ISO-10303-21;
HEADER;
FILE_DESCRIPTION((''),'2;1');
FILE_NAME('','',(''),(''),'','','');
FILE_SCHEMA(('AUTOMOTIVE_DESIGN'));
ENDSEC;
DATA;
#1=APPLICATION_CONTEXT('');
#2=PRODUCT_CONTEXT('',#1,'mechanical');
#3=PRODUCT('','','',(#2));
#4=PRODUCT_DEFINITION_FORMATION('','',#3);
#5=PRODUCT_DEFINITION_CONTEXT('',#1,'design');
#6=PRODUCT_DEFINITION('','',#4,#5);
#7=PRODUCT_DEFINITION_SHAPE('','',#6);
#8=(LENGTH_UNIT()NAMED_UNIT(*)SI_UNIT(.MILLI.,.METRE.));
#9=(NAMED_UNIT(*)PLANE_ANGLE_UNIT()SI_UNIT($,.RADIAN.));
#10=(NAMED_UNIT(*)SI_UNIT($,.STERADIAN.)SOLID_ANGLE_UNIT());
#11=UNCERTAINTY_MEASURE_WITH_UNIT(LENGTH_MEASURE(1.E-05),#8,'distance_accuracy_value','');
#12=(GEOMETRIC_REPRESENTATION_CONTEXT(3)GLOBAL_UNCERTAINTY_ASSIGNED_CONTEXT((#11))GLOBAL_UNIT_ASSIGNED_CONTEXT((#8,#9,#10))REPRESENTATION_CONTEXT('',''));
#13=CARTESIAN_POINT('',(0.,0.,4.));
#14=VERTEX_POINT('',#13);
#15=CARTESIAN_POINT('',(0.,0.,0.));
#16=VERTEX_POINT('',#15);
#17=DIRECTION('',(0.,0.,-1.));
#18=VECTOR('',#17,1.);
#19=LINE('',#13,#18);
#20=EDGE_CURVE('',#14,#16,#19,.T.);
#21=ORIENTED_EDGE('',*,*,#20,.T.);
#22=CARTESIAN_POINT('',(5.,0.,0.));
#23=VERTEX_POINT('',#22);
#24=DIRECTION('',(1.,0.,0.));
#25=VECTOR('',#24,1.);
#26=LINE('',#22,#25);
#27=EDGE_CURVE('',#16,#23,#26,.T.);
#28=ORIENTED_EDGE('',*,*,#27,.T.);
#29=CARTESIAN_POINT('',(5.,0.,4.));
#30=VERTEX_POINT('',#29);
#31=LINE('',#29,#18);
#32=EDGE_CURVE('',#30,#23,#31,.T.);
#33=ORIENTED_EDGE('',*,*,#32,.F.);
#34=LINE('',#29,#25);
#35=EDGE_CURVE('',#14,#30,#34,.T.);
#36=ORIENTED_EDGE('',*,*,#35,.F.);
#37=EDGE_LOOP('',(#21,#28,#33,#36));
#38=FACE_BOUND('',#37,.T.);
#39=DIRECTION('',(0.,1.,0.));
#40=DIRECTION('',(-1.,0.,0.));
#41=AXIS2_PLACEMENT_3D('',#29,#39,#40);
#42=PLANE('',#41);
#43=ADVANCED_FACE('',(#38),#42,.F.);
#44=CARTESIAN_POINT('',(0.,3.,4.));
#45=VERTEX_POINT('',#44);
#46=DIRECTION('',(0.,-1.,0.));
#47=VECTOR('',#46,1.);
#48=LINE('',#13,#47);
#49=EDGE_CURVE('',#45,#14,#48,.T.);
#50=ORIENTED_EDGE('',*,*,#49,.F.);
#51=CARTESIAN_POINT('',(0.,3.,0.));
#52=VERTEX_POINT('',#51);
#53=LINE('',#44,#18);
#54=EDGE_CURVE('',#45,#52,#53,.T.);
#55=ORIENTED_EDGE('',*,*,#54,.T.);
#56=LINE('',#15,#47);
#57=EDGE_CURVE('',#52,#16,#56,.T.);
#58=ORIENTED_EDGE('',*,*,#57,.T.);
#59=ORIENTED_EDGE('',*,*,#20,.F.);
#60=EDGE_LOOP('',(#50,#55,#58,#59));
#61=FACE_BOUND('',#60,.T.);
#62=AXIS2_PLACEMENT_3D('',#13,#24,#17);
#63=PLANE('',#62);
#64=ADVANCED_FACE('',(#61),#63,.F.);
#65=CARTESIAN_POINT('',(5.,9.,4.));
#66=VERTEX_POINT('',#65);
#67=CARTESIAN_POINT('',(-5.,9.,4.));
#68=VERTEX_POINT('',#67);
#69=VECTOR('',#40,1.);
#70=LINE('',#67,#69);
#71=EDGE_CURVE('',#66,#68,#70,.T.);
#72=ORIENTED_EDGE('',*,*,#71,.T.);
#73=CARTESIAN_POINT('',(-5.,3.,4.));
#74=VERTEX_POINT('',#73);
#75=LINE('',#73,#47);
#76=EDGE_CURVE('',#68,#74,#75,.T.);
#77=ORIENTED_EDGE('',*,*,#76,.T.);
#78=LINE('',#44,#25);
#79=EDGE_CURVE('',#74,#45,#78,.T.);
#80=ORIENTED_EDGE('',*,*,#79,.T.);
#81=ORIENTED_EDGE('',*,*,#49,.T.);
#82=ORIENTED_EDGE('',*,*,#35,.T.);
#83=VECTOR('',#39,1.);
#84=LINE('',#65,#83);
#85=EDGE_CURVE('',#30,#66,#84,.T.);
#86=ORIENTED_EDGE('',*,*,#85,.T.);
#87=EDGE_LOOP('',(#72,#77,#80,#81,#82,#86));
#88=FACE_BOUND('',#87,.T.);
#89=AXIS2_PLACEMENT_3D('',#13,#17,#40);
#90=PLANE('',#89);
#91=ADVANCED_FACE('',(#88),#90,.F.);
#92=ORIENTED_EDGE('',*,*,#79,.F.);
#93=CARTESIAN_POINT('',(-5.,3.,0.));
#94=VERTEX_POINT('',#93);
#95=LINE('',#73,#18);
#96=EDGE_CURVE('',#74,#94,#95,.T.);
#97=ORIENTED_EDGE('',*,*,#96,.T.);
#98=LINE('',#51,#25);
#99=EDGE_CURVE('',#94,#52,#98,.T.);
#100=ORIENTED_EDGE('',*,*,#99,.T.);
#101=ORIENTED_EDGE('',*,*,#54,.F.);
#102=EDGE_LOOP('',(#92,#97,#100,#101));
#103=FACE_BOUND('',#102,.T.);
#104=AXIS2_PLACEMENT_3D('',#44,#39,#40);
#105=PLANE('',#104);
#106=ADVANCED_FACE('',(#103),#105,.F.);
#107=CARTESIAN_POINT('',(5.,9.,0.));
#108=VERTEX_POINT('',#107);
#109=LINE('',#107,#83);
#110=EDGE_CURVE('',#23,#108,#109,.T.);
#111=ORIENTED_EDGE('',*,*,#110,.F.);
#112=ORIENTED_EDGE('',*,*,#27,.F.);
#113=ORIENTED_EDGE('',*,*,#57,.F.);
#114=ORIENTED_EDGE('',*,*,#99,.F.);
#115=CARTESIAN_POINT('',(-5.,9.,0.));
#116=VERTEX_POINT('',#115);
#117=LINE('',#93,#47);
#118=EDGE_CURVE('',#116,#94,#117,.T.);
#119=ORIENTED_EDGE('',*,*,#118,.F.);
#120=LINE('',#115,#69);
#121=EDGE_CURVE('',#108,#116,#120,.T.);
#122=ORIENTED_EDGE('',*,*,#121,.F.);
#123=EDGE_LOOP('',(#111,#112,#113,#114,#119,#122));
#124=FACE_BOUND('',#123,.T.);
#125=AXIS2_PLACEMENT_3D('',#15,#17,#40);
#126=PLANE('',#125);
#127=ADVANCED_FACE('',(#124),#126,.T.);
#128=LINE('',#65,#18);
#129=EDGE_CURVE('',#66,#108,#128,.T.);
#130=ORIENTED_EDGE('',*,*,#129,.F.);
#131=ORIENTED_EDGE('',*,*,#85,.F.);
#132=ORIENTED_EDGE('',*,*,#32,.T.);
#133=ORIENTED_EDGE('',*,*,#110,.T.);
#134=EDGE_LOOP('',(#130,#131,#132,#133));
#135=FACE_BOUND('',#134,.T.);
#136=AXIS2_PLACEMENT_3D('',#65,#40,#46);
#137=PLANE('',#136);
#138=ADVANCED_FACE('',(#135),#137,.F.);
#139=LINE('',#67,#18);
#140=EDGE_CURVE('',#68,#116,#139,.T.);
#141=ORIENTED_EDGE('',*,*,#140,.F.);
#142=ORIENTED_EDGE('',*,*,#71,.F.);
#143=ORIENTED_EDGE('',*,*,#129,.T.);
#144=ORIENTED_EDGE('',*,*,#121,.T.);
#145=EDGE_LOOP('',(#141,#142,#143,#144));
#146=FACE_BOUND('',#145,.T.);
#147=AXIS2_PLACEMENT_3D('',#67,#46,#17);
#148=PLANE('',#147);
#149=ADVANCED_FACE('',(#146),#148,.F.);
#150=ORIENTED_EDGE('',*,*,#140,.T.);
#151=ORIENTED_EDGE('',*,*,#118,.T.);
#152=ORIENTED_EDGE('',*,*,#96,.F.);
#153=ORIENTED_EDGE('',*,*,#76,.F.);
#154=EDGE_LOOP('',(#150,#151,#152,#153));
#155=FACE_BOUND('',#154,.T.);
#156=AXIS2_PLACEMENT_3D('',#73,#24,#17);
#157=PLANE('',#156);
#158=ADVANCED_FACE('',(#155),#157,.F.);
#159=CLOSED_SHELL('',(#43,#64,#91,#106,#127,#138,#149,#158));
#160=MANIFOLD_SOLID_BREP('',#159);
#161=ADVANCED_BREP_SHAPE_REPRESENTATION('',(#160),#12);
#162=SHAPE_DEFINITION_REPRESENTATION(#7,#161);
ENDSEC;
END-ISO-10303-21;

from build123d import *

# Parameters (mm, degrees)
BOSS_EXTRUDE1_DEPTH = 4


with BuildPart() as part:
    # Sketch1 → Boss-Extrude1 (new body)
    with BuildSketch(Plane.XY):
        Polygon((0, 0), (0, 3), (-5, 3), (-5, 9), (5, 9), (5, 0), align=None)
    extrude(amount=BOSS_EXTRUDE1_DEPTH)


solid = part.part
